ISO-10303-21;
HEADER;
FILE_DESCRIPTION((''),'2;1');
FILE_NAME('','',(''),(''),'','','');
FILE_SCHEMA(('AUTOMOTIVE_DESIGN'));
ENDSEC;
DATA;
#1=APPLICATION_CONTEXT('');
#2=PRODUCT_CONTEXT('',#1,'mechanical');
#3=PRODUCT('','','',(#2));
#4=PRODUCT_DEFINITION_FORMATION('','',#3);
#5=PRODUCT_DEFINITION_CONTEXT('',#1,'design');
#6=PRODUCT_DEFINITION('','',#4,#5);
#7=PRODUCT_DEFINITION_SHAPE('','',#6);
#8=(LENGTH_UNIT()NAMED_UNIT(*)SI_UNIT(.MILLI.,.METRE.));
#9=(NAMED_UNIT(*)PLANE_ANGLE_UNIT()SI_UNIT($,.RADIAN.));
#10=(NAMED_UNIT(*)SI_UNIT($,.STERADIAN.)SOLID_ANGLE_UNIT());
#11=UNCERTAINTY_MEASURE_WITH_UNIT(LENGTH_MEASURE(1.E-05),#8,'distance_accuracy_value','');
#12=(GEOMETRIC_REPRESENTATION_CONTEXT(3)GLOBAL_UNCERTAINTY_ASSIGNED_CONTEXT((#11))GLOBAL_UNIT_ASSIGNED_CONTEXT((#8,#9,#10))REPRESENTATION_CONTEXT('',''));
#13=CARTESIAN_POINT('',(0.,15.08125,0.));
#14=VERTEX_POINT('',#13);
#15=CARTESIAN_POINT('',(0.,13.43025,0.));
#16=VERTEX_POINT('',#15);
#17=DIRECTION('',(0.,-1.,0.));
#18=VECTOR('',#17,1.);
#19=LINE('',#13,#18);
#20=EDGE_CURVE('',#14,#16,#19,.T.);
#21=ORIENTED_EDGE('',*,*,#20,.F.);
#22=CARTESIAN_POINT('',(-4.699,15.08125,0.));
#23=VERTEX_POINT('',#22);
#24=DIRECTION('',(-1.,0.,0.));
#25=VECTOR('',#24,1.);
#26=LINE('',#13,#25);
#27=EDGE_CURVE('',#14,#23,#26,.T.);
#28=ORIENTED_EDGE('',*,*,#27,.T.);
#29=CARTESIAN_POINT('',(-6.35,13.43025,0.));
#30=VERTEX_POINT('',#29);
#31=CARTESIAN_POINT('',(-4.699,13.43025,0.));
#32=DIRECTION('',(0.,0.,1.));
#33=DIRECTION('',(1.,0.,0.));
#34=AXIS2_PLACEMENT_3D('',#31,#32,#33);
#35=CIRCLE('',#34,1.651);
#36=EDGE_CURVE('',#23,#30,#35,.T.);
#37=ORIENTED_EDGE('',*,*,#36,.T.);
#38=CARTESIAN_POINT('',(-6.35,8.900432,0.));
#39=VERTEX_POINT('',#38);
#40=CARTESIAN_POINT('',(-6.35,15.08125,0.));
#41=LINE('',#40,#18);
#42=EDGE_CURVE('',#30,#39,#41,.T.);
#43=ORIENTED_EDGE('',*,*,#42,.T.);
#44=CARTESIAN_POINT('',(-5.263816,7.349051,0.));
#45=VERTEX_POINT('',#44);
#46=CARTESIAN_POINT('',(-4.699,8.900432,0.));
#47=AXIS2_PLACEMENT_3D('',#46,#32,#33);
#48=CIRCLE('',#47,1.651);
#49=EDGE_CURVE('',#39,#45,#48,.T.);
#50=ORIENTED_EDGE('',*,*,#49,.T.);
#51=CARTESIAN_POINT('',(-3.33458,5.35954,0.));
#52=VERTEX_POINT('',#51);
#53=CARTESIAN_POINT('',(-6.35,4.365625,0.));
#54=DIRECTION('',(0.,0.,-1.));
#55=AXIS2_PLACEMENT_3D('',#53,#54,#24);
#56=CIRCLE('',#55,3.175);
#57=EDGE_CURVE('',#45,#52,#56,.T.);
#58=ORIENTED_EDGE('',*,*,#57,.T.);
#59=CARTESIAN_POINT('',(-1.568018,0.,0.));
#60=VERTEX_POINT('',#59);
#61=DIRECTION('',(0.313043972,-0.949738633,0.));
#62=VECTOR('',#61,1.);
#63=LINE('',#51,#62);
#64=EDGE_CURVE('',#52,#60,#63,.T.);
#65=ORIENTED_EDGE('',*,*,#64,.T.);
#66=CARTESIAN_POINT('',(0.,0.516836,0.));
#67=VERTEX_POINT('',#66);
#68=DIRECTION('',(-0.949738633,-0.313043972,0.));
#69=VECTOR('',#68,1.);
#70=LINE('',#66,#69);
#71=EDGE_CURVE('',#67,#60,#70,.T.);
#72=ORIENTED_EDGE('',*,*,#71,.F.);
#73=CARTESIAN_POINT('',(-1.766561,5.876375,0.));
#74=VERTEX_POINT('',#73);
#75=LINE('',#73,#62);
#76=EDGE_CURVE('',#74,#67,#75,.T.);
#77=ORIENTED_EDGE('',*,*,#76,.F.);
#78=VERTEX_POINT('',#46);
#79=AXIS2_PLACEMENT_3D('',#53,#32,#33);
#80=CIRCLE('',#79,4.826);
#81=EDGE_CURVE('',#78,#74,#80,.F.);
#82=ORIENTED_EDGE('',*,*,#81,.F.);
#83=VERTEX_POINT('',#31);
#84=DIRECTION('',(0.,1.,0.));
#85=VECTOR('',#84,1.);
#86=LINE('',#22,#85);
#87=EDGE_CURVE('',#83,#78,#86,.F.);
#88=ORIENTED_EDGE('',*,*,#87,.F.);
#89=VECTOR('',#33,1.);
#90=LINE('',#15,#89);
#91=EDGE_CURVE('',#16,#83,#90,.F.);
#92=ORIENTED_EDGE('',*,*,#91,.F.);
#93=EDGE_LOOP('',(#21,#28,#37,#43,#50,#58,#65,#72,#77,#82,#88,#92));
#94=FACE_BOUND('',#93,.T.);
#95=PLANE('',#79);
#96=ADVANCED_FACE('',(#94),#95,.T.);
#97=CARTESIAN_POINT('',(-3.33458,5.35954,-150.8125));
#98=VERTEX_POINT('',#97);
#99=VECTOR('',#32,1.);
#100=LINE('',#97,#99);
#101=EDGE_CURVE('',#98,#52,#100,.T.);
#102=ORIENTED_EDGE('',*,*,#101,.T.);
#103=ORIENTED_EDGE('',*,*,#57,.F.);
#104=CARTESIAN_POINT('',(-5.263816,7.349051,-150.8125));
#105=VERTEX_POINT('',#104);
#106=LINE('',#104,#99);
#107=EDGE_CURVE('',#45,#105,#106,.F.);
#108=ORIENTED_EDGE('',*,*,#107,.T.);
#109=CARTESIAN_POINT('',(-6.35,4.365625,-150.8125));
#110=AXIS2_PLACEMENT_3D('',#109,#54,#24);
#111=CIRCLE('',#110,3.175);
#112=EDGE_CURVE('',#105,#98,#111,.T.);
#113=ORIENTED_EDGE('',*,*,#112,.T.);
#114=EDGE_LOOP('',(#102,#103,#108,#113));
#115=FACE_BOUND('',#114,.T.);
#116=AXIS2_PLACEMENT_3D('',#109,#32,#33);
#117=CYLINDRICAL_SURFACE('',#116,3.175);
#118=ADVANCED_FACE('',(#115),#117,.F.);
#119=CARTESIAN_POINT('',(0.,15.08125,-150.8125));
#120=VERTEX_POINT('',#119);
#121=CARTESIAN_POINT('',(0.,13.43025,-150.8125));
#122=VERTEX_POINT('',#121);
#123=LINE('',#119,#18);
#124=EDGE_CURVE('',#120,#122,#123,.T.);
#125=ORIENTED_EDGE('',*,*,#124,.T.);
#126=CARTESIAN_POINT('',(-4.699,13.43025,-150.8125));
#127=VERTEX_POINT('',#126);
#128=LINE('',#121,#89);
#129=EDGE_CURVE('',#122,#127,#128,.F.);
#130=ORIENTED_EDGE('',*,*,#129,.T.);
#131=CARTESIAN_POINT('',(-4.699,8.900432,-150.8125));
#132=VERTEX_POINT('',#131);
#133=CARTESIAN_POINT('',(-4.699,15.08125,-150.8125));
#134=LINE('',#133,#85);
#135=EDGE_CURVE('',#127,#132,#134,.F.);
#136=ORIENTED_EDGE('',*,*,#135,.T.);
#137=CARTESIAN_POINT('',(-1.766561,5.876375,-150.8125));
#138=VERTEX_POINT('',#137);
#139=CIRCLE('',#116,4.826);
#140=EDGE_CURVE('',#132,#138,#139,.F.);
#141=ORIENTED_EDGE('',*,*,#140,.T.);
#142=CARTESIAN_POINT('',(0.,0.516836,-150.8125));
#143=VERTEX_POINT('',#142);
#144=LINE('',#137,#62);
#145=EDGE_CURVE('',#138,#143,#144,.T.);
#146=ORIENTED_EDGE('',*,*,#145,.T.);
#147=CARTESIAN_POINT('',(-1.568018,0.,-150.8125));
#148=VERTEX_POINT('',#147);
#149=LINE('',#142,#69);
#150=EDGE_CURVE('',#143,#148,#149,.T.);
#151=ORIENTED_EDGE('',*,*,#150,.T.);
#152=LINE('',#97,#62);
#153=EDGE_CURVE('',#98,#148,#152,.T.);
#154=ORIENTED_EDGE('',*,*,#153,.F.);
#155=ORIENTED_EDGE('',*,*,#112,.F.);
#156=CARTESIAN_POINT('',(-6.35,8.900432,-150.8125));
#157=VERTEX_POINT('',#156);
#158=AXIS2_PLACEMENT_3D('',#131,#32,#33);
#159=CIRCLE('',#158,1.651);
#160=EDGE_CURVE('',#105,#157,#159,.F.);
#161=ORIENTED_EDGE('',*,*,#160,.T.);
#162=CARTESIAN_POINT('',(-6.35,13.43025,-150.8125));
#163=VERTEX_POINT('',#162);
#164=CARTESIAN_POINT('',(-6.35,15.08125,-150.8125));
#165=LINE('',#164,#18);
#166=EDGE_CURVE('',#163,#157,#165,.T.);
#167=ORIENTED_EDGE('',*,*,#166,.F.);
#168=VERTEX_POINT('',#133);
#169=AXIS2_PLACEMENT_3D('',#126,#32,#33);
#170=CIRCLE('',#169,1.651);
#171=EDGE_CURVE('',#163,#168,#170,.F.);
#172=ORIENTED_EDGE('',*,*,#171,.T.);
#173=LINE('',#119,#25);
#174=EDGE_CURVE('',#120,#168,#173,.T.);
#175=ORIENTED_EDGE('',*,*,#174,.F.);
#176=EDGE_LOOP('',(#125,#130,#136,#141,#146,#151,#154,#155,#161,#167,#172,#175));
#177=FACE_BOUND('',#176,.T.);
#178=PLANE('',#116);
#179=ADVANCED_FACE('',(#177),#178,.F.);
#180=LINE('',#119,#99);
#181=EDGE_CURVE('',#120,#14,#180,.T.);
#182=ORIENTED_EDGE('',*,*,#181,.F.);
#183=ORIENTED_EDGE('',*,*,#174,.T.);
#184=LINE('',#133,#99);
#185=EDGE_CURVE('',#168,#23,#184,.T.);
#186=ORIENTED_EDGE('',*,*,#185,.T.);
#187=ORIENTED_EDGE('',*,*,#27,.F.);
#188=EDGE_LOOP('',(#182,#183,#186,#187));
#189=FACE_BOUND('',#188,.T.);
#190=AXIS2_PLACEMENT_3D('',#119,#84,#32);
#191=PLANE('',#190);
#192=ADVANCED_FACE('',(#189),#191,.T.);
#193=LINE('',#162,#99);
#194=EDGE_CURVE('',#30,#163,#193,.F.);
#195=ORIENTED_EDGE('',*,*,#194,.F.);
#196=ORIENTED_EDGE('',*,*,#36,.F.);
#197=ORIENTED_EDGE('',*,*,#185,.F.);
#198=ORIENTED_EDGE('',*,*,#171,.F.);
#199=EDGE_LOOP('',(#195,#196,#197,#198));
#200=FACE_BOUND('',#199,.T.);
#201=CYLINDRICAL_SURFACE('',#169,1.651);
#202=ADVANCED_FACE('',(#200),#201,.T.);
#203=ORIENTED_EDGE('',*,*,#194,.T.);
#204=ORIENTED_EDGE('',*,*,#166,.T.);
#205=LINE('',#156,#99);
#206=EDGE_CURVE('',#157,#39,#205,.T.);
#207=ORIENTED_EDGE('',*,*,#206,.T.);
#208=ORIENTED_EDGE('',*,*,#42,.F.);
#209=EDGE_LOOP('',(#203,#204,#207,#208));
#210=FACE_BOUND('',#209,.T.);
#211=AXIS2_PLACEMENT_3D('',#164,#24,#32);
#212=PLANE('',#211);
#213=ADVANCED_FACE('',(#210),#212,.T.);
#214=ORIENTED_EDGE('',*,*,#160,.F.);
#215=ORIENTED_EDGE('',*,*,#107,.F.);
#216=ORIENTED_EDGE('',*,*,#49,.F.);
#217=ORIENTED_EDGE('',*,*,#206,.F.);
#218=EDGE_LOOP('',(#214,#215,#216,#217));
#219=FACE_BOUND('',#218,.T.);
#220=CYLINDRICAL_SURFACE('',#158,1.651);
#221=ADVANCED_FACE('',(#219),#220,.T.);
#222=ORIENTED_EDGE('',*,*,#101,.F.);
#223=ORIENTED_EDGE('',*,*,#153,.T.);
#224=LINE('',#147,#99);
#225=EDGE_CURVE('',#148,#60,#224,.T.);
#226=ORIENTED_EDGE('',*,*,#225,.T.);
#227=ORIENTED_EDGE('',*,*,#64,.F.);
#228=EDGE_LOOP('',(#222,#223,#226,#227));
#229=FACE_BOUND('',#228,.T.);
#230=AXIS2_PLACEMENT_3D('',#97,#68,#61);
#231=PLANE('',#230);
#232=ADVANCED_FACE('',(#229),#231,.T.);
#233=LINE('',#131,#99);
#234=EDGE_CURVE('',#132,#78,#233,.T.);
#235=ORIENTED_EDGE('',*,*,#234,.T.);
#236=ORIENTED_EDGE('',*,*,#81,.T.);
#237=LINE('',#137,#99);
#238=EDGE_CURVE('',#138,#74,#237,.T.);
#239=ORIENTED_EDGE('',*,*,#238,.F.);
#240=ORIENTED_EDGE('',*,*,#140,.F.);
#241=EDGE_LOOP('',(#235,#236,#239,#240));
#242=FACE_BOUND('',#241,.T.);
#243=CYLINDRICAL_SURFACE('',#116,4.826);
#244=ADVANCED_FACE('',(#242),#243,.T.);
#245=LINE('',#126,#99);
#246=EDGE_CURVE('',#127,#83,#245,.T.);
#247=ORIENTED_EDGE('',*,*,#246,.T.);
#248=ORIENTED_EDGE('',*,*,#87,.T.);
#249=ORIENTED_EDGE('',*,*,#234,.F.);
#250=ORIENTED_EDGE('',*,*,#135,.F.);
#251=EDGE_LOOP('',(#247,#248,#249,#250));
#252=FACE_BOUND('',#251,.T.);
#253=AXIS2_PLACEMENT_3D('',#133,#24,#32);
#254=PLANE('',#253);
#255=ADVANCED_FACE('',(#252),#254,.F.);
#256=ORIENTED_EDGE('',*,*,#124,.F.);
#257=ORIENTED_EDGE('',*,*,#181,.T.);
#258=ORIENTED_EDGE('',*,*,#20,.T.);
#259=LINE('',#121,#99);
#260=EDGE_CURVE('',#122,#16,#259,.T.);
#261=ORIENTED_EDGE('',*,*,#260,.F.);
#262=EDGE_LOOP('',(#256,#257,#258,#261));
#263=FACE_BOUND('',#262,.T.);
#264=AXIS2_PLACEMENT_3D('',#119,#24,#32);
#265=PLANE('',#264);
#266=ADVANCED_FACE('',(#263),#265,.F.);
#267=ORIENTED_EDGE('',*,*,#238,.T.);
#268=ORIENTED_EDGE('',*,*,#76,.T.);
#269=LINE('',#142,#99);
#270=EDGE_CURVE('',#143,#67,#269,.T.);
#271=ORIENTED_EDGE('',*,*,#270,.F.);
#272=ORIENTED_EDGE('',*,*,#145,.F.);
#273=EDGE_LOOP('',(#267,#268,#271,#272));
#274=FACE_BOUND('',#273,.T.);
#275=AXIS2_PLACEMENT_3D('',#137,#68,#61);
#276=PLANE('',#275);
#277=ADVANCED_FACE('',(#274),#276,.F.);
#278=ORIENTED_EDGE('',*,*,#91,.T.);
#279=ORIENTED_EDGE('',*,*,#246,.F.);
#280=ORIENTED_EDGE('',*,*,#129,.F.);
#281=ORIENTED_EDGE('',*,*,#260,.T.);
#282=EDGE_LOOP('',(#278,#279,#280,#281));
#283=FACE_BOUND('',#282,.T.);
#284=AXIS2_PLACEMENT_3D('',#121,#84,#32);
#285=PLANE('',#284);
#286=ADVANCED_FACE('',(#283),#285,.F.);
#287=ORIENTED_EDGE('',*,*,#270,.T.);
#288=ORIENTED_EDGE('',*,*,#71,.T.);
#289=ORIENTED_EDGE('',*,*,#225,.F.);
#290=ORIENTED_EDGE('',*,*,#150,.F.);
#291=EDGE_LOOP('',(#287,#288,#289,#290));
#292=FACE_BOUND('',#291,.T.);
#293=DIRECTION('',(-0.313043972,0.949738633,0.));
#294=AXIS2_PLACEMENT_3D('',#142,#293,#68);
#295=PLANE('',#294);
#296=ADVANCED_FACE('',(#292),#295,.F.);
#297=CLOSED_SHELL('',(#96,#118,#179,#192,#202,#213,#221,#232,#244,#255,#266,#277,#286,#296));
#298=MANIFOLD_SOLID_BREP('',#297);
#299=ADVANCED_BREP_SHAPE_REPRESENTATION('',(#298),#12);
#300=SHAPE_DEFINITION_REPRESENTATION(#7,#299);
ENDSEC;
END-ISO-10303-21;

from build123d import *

# Parameters (mm, degrees)
EXTRUDE_THIN1_DEPTH = 150.8125
FILLET1_R           = 1.651


with BuildPart() as part:
    # Sketch1 → Extrude-Thin1 (new body)
    with BuildSketch(Plane.XY):
        with BuildLine():
            Line((0, 15.08125), (-6.35, 15.08125))
            Line((-6.35, 15.08125), (-6.35, 7.540625))
            ThreePointArc((-6.35, 7.540625), (-4.489227834, 6.938201907), (-3.334579839, 5.359539611))
            Line((-3.334579839, 5.359539611), (-1.568018484, 0))
            Line((-1.568018484, 0), (0, 0.516835598))
            Line((0, 0.516835598), (-1.766561356, 5.876375209))
            ThreePointArc((-1.766561356, 5.876375209), (-2.885424088, 7.725236547), (-4.699, 8.900432052))
            Line((-4.699, 8.900432052), (-4.699, 13.43025))
            Line((-4.699, 13.43025), (0, 13.43025))
            Line((0, 13.43025), (0, 15.08125))
        make_face()
    extrude(amount=-EXTRUDE_THIN1_DEPTH)

    # Fillet1
    fillet1_edges = [part.edges().sort_by_distance(p)[0] for p in [
        (-6.35, 7.540625, -75.40625),
        (-6.35, 15.08125, -75.40625),
    ]]
    fillet(fillet1_edges, radius=FILLET1_R)


solid = part.part
